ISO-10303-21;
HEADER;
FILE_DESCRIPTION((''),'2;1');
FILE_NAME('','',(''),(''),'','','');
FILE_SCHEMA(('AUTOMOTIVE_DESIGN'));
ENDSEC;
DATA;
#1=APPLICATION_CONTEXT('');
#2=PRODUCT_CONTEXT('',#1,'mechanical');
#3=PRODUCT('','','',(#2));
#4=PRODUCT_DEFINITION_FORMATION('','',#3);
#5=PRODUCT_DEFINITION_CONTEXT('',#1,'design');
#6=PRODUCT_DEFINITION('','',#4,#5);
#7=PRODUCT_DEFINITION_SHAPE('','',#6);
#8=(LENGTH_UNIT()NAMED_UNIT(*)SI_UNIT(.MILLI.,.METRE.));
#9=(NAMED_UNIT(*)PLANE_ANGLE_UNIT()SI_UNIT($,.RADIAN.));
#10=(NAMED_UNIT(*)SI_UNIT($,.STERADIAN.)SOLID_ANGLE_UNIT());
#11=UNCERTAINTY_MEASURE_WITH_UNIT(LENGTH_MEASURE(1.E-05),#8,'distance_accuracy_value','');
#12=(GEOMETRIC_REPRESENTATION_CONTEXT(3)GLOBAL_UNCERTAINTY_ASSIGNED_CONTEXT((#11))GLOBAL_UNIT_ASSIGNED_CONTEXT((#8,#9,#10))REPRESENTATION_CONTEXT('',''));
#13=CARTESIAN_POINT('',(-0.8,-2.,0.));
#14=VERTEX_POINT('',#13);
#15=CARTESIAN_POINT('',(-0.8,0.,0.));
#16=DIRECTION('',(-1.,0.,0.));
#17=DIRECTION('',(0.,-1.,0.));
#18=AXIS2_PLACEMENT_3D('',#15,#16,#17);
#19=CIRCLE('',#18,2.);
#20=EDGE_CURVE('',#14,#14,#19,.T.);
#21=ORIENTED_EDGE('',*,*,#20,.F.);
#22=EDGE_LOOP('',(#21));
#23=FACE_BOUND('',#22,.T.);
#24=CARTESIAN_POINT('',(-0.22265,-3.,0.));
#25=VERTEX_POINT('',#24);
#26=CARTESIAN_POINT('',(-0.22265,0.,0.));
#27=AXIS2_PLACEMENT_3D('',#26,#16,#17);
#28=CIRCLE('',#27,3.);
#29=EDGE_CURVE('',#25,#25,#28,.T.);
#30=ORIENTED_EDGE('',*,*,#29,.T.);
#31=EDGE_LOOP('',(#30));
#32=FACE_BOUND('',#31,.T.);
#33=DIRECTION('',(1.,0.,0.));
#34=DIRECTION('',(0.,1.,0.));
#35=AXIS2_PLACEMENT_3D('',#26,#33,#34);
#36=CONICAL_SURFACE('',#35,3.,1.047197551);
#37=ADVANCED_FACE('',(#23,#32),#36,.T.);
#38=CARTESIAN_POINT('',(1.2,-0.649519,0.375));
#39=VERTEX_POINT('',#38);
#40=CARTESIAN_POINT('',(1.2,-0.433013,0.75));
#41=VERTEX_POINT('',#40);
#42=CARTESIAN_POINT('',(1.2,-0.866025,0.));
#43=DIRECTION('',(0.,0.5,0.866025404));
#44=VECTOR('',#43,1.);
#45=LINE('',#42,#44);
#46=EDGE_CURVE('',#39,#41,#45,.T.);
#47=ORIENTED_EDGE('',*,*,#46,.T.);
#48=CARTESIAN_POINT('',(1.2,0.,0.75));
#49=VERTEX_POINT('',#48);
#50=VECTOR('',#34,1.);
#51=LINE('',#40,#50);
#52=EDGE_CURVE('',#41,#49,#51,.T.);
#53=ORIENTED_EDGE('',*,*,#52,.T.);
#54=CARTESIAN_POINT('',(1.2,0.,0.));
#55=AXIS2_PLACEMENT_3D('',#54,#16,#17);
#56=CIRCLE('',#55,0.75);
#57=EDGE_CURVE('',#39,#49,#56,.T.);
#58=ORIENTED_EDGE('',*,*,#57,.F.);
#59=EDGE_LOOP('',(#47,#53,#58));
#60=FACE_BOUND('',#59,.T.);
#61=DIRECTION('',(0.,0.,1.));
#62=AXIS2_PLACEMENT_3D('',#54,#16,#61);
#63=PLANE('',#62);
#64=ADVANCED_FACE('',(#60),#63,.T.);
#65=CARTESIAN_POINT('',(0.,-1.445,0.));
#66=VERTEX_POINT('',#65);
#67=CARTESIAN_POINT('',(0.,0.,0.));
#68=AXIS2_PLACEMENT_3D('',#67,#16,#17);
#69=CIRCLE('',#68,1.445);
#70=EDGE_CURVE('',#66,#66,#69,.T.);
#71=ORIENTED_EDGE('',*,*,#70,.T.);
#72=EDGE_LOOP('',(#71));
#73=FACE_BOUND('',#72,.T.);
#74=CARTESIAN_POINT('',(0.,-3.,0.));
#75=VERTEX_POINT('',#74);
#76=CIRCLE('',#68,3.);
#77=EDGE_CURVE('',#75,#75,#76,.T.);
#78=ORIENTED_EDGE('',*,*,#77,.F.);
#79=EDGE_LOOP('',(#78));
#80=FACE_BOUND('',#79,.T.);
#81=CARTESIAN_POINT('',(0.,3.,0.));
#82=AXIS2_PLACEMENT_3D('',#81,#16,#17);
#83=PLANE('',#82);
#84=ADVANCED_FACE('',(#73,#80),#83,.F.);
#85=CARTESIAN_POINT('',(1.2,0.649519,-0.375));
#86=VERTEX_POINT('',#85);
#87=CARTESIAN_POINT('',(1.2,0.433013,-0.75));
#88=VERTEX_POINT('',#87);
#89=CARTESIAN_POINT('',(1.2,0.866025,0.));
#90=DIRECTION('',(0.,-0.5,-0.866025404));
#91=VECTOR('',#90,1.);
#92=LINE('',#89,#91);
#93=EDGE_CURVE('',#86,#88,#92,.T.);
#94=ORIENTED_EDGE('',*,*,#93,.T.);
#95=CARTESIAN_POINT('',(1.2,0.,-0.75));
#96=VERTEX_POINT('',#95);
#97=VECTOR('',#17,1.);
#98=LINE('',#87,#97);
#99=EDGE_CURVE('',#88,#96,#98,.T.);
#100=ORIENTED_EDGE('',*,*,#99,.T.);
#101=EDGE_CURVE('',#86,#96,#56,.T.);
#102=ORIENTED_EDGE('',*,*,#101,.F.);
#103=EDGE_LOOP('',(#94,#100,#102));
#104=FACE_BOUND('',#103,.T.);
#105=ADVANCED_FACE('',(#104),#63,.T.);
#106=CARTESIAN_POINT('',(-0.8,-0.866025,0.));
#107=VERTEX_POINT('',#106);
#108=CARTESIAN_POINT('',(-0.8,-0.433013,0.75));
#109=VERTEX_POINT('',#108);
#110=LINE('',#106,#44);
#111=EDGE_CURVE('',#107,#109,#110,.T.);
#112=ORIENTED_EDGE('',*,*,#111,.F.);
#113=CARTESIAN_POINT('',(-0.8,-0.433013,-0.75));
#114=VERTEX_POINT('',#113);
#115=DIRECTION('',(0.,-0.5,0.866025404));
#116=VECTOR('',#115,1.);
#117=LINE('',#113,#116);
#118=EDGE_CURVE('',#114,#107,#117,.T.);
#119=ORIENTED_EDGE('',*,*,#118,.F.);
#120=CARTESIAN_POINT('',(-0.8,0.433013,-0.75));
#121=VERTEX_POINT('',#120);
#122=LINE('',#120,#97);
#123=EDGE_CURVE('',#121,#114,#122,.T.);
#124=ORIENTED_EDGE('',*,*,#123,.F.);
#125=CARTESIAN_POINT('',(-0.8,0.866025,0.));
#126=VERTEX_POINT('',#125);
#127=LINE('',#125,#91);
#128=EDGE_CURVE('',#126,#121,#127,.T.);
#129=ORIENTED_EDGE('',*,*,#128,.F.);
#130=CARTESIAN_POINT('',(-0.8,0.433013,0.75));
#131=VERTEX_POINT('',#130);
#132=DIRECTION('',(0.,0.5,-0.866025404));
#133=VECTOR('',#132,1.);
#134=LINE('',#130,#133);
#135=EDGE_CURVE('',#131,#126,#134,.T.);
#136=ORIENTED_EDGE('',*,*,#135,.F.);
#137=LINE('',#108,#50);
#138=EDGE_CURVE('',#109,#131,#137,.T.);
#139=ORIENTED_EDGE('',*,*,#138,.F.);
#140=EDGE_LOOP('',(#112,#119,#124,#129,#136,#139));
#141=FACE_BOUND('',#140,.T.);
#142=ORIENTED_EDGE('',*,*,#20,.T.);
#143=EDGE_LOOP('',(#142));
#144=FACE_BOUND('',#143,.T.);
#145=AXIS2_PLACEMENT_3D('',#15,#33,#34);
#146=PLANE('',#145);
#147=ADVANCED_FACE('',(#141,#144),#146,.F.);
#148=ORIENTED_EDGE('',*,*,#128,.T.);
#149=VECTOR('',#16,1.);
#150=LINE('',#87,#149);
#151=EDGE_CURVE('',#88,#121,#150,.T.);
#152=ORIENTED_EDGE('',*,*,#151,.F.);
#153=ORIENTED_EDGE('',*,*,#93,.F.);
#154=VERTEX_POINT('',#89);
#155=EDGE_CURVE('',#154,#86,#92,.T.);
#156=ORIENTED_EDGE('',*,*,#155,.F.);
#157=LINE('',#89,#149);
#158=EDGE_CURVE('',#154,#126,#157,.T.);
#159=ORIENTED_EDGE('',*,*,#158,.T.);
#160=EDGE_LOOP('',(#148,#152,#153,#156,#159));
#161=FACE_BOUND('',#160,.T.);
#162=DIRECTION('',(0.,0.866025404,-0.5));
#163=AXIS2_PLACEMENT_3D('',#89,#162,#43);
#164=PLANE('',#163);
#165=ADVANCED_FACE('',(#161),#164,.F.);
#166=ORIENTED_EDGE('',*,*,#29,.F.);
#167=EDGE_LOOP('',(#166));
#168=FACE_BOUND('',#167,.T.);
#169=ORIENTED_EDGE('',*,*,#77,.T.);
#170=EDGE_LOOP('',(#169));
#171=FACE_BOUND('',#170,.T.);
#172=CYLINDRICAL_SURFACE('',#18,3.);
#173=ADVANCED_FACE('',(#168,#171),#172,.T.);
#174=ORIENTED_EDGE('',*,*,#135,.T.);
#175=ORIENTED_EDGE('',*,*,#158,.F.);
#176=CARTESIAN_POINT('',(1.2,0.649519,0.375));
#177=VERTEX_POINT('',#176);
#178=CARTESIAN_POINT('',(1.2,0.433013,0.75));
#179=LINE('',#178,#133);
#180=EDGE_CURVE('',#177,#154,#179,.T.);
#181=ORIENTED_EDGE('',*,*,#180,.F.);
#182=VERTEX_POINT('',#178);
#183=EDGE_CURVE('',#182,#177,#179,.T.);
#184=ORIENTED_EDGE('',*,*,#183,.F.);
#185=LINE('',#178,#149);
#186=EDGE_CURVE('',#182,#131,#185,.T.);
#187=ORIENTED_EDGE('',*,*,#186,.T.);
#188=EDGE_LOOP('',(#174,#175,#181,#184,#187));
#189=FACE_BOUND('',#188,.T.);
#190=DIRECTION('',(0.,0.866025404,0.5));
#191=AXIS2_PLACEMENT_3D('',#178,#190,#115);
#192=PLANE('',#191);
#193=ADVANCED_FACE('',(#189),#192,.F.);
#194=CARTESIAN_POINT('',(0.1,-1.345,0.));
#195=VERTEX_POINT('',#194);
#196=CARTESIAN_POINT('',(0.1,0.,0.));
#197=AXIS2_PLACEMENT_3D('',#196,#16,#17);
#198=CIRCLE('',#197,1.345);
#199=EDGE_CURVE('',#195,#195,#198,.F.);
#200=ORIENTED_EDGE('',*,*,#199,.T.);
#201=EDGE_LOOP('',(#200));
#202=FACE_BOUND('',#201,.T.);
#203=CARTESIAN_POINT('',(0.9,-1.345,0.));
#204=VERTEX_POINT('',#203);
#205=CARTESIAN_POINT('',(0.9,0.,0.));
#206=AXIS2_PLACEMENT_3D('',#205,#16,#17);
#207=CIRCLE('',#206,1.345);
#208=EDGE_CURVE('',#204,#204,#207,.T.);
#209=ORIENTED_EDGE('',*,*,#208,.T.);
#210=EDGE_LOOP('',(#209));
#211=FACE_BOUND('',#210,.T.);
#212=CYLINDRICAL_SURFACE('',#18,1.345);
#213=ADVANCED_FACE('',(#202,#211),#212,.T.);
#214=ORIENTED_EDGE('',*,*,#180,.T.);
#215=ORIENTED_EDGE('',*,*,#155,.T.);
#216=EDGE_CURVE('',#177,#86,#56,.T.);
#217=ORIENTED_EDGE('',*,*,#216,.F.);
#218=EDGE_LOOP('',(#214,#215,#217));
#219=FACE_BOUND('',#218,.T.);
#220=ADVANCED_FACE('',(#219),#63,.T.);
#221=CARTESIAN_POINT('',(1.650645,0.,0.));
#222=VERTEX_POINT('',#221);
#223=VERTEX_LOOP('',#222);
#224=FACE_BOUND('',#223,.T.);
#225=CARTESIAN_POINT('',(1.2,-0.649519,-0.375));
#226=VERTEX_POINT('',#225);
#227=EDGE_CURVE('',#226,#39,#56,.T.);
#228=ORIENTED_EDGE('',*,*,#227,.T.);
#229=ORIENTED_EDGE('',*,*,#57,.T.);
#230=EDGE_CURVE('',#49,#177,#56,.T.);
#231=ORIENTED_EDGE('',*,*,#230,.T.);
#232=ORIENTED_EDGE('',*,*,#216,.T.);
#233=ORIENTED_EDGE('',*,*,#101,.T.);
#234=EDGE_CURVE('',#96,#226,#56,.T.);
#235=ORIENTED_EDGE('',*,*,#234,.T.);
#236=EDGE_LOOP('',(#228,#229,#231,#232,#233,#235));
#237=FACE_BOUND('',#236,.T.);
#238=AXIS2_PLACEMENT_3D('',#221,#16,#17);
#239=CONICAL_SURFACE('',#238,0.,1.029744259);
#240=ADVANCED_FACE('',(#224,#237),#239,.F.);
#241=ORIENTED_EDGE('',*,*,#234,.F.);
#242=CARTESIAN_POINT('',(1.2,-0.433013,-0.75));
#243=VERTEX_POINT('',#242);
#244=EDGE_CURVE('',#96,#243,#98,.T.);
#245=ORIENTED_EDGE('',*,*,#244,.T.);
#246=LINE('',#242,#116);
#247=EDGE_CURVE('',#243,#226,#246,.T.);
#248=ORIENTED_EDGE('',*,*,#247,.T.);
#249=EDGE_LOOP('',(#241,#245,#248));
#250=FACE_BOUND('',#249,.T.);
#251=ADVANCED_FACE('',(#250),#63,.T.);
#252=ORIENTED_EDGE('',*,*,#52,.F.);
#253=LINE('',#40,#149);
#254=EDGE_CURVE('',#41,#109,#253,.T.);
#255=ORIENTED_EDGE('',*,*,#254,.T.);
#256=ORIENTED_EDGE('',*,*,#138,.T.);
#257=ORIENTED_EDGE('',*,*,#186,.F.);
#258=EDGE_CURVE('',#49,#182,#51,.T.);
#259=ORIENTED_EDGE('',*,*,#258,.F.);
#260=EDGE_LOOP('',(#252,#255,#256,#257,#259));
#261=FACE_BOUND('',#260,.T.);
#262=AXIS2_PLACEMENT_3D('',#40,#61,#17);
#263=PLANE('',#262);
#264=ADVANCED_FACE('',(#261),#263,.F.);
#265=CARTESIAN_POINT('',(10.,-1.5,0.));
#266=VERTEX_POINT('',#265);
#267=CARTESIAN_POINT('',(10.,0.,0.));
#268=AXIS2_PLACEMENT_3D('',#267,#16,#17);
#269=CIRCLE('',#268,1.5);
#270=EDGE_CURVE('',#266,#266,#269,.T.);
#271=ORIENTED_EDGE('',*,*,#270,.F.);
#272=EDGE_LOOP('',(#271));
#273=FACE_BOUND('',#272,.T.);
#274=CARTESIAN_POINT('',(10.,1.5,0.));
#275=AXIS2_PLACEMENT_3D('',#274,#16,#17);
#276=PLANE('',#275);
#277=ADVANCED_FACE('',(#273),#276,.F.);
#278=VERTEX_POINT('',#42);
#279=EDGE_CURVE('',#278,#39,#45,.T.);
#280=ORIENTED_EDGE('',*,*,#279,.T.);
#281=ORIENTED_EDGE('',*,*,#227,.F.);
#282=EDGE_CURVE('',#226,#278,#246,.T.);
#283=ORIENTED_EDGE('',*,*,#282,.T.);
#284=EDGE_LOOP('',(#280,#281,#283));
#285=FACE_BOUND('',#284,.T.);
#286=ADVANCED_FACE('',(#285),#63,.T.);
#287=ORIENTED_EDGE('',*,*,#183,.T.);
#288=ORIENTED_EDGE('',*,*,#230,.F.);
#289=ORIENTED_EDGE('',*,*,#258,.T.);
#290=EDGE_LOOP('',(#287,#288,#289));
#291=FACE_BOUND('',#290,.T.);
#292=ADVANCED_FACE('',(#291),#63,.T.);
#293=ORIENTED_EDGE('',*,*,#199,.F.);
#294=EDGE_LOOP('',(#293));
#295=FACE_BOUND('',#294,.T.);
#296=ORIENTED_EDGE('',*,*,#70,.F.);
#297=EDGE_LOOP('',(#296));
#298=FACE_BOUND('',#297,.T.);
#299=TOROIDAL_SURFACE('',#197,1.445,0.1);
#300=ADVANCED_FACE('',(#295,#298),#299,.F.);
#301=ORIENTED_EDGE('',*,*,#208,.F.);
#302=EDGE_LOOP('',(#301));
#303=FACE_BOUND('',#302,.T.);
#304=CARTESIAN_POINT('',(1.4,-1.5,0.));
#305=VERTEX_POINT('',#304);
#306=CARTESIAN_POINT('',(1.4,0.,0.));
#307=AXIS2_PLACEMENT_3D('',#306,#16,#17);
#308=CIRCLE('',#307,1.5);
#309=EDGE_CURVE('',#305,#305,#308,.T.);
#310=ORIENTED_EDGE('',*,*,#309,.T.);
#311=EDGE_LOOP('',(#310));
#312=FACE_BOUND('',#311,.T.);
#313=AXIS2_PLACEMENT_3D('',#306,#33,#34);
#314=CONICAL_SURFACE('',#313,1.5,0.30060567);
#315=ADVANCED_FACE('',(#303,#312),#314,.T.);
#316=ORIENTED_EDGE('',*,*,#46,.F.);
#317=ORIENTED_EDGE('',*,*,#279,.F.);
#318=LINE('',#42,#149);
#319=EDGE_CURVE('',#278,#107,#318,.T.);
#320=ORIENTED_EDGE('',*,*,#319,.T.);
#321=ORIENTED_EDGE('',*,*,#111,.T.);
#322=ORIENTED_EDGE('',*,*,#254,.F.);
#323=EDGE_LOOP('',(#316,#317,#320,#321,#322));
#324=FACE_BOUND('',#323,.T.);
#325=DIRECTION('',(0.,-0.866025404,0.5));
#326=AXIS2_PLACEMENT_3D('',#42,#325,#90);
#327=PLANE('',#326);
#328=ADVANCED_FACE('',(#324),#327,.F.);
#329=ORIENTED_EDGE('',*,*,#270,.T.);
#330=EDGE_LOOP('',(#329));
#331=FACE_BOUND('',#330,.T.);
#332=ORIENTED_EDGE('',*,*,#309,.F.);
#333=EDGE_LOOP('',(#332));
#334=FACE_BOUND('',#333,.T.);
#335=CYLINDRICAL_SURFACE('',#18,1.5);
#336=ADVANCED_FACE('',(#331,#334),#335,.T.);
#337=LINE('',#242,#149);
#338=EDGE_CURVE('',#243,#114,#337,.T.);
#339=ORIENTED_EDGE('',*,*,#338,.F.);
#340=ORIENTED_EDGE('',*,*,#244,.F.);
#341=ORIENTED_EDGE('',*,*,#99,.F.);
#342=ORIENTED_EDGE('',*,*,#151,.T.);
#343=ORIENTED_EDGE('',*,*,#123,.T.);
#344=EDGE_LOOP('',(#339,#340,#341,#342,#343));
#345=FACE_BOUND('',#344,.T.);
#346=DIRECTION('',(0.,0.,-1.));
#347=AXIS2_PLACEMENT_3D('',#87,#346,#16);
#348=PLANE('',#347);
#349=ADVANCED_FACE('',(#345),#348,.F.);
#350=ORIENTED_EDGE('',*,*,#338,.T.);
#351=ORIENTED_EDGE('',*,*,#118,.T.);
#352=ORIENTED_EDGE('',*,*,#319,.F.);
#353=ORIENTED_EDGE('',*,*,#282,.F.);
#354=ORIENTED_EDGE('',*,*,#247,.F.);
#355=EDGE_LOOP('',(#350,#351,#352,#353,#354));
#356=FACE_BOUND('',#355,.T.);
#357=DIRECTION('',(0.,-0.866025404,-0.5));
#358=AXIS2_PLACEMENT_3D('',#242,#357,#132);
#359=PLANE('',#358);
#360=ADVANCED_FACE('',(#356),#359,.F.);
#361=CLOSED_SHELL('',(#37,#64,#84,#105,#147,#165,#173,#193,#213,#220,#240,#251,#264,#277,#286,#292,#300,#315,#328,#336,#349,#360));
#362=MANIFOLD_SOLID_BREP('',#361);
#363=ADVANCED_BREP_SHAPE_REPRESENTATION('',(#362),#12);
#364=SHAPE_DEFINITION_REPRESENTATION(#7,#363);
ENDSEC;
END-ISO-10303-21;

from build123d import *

# Parameters (mm, degrees)
FILLET1_R          = 0.1
CUT_EXTRUDE1_DEPTH = 2


with BuildPart() as part:
    # Sketch1 → Revolve1 (revolve)
    with BuildSketch(Plane.XY):
        Polygon((-0.8, 0), (-0.8, 2), (-0.222649731, 3), (0, 3), (0, 1.345), (0.9, 1.345), (1.4, 1.5), (10, 1.5), (10, 0), align=None)
    revolve(axis=Axis((-0.8, 0, 0), (1, 0, 0)))

    # Fillet1
    fillet1_edges = [part.edges().sort_by_distance(p)[0] for p in [
        (0, -1.345, 0),
    ]]
    fillet(fillet1_edges, radius=FILLET1_R)

    # Sketch2 → Cut-Extrude1 (cut)
    with BuildSketch(Plane.ZY.offset(0.8)):
        Polygon((0, 0.866025404), (-0.75, 0.433012702), (-0.75, -0.433012702), (0, -0.866025404), (0.75, -0.433012702), (0.75, 0.433012702), align=None)
    extrude(amount=-CUT_EXTRUDE1_DEPTH, mode=Mode.SUBTRACT)

    # Sketch3 → Cut-Revolve1 (revolve, cut)
    with BuildSketch(Plane.XY):
        Polygon((1.2, 0), (1.2, 0.75), (1.650645464, 0), align=None)
    revolve(axis=Axis((1.2, 0, 0), (1, 0, 0)), mode=Mode.SUBTRACT)


solid = part.part
